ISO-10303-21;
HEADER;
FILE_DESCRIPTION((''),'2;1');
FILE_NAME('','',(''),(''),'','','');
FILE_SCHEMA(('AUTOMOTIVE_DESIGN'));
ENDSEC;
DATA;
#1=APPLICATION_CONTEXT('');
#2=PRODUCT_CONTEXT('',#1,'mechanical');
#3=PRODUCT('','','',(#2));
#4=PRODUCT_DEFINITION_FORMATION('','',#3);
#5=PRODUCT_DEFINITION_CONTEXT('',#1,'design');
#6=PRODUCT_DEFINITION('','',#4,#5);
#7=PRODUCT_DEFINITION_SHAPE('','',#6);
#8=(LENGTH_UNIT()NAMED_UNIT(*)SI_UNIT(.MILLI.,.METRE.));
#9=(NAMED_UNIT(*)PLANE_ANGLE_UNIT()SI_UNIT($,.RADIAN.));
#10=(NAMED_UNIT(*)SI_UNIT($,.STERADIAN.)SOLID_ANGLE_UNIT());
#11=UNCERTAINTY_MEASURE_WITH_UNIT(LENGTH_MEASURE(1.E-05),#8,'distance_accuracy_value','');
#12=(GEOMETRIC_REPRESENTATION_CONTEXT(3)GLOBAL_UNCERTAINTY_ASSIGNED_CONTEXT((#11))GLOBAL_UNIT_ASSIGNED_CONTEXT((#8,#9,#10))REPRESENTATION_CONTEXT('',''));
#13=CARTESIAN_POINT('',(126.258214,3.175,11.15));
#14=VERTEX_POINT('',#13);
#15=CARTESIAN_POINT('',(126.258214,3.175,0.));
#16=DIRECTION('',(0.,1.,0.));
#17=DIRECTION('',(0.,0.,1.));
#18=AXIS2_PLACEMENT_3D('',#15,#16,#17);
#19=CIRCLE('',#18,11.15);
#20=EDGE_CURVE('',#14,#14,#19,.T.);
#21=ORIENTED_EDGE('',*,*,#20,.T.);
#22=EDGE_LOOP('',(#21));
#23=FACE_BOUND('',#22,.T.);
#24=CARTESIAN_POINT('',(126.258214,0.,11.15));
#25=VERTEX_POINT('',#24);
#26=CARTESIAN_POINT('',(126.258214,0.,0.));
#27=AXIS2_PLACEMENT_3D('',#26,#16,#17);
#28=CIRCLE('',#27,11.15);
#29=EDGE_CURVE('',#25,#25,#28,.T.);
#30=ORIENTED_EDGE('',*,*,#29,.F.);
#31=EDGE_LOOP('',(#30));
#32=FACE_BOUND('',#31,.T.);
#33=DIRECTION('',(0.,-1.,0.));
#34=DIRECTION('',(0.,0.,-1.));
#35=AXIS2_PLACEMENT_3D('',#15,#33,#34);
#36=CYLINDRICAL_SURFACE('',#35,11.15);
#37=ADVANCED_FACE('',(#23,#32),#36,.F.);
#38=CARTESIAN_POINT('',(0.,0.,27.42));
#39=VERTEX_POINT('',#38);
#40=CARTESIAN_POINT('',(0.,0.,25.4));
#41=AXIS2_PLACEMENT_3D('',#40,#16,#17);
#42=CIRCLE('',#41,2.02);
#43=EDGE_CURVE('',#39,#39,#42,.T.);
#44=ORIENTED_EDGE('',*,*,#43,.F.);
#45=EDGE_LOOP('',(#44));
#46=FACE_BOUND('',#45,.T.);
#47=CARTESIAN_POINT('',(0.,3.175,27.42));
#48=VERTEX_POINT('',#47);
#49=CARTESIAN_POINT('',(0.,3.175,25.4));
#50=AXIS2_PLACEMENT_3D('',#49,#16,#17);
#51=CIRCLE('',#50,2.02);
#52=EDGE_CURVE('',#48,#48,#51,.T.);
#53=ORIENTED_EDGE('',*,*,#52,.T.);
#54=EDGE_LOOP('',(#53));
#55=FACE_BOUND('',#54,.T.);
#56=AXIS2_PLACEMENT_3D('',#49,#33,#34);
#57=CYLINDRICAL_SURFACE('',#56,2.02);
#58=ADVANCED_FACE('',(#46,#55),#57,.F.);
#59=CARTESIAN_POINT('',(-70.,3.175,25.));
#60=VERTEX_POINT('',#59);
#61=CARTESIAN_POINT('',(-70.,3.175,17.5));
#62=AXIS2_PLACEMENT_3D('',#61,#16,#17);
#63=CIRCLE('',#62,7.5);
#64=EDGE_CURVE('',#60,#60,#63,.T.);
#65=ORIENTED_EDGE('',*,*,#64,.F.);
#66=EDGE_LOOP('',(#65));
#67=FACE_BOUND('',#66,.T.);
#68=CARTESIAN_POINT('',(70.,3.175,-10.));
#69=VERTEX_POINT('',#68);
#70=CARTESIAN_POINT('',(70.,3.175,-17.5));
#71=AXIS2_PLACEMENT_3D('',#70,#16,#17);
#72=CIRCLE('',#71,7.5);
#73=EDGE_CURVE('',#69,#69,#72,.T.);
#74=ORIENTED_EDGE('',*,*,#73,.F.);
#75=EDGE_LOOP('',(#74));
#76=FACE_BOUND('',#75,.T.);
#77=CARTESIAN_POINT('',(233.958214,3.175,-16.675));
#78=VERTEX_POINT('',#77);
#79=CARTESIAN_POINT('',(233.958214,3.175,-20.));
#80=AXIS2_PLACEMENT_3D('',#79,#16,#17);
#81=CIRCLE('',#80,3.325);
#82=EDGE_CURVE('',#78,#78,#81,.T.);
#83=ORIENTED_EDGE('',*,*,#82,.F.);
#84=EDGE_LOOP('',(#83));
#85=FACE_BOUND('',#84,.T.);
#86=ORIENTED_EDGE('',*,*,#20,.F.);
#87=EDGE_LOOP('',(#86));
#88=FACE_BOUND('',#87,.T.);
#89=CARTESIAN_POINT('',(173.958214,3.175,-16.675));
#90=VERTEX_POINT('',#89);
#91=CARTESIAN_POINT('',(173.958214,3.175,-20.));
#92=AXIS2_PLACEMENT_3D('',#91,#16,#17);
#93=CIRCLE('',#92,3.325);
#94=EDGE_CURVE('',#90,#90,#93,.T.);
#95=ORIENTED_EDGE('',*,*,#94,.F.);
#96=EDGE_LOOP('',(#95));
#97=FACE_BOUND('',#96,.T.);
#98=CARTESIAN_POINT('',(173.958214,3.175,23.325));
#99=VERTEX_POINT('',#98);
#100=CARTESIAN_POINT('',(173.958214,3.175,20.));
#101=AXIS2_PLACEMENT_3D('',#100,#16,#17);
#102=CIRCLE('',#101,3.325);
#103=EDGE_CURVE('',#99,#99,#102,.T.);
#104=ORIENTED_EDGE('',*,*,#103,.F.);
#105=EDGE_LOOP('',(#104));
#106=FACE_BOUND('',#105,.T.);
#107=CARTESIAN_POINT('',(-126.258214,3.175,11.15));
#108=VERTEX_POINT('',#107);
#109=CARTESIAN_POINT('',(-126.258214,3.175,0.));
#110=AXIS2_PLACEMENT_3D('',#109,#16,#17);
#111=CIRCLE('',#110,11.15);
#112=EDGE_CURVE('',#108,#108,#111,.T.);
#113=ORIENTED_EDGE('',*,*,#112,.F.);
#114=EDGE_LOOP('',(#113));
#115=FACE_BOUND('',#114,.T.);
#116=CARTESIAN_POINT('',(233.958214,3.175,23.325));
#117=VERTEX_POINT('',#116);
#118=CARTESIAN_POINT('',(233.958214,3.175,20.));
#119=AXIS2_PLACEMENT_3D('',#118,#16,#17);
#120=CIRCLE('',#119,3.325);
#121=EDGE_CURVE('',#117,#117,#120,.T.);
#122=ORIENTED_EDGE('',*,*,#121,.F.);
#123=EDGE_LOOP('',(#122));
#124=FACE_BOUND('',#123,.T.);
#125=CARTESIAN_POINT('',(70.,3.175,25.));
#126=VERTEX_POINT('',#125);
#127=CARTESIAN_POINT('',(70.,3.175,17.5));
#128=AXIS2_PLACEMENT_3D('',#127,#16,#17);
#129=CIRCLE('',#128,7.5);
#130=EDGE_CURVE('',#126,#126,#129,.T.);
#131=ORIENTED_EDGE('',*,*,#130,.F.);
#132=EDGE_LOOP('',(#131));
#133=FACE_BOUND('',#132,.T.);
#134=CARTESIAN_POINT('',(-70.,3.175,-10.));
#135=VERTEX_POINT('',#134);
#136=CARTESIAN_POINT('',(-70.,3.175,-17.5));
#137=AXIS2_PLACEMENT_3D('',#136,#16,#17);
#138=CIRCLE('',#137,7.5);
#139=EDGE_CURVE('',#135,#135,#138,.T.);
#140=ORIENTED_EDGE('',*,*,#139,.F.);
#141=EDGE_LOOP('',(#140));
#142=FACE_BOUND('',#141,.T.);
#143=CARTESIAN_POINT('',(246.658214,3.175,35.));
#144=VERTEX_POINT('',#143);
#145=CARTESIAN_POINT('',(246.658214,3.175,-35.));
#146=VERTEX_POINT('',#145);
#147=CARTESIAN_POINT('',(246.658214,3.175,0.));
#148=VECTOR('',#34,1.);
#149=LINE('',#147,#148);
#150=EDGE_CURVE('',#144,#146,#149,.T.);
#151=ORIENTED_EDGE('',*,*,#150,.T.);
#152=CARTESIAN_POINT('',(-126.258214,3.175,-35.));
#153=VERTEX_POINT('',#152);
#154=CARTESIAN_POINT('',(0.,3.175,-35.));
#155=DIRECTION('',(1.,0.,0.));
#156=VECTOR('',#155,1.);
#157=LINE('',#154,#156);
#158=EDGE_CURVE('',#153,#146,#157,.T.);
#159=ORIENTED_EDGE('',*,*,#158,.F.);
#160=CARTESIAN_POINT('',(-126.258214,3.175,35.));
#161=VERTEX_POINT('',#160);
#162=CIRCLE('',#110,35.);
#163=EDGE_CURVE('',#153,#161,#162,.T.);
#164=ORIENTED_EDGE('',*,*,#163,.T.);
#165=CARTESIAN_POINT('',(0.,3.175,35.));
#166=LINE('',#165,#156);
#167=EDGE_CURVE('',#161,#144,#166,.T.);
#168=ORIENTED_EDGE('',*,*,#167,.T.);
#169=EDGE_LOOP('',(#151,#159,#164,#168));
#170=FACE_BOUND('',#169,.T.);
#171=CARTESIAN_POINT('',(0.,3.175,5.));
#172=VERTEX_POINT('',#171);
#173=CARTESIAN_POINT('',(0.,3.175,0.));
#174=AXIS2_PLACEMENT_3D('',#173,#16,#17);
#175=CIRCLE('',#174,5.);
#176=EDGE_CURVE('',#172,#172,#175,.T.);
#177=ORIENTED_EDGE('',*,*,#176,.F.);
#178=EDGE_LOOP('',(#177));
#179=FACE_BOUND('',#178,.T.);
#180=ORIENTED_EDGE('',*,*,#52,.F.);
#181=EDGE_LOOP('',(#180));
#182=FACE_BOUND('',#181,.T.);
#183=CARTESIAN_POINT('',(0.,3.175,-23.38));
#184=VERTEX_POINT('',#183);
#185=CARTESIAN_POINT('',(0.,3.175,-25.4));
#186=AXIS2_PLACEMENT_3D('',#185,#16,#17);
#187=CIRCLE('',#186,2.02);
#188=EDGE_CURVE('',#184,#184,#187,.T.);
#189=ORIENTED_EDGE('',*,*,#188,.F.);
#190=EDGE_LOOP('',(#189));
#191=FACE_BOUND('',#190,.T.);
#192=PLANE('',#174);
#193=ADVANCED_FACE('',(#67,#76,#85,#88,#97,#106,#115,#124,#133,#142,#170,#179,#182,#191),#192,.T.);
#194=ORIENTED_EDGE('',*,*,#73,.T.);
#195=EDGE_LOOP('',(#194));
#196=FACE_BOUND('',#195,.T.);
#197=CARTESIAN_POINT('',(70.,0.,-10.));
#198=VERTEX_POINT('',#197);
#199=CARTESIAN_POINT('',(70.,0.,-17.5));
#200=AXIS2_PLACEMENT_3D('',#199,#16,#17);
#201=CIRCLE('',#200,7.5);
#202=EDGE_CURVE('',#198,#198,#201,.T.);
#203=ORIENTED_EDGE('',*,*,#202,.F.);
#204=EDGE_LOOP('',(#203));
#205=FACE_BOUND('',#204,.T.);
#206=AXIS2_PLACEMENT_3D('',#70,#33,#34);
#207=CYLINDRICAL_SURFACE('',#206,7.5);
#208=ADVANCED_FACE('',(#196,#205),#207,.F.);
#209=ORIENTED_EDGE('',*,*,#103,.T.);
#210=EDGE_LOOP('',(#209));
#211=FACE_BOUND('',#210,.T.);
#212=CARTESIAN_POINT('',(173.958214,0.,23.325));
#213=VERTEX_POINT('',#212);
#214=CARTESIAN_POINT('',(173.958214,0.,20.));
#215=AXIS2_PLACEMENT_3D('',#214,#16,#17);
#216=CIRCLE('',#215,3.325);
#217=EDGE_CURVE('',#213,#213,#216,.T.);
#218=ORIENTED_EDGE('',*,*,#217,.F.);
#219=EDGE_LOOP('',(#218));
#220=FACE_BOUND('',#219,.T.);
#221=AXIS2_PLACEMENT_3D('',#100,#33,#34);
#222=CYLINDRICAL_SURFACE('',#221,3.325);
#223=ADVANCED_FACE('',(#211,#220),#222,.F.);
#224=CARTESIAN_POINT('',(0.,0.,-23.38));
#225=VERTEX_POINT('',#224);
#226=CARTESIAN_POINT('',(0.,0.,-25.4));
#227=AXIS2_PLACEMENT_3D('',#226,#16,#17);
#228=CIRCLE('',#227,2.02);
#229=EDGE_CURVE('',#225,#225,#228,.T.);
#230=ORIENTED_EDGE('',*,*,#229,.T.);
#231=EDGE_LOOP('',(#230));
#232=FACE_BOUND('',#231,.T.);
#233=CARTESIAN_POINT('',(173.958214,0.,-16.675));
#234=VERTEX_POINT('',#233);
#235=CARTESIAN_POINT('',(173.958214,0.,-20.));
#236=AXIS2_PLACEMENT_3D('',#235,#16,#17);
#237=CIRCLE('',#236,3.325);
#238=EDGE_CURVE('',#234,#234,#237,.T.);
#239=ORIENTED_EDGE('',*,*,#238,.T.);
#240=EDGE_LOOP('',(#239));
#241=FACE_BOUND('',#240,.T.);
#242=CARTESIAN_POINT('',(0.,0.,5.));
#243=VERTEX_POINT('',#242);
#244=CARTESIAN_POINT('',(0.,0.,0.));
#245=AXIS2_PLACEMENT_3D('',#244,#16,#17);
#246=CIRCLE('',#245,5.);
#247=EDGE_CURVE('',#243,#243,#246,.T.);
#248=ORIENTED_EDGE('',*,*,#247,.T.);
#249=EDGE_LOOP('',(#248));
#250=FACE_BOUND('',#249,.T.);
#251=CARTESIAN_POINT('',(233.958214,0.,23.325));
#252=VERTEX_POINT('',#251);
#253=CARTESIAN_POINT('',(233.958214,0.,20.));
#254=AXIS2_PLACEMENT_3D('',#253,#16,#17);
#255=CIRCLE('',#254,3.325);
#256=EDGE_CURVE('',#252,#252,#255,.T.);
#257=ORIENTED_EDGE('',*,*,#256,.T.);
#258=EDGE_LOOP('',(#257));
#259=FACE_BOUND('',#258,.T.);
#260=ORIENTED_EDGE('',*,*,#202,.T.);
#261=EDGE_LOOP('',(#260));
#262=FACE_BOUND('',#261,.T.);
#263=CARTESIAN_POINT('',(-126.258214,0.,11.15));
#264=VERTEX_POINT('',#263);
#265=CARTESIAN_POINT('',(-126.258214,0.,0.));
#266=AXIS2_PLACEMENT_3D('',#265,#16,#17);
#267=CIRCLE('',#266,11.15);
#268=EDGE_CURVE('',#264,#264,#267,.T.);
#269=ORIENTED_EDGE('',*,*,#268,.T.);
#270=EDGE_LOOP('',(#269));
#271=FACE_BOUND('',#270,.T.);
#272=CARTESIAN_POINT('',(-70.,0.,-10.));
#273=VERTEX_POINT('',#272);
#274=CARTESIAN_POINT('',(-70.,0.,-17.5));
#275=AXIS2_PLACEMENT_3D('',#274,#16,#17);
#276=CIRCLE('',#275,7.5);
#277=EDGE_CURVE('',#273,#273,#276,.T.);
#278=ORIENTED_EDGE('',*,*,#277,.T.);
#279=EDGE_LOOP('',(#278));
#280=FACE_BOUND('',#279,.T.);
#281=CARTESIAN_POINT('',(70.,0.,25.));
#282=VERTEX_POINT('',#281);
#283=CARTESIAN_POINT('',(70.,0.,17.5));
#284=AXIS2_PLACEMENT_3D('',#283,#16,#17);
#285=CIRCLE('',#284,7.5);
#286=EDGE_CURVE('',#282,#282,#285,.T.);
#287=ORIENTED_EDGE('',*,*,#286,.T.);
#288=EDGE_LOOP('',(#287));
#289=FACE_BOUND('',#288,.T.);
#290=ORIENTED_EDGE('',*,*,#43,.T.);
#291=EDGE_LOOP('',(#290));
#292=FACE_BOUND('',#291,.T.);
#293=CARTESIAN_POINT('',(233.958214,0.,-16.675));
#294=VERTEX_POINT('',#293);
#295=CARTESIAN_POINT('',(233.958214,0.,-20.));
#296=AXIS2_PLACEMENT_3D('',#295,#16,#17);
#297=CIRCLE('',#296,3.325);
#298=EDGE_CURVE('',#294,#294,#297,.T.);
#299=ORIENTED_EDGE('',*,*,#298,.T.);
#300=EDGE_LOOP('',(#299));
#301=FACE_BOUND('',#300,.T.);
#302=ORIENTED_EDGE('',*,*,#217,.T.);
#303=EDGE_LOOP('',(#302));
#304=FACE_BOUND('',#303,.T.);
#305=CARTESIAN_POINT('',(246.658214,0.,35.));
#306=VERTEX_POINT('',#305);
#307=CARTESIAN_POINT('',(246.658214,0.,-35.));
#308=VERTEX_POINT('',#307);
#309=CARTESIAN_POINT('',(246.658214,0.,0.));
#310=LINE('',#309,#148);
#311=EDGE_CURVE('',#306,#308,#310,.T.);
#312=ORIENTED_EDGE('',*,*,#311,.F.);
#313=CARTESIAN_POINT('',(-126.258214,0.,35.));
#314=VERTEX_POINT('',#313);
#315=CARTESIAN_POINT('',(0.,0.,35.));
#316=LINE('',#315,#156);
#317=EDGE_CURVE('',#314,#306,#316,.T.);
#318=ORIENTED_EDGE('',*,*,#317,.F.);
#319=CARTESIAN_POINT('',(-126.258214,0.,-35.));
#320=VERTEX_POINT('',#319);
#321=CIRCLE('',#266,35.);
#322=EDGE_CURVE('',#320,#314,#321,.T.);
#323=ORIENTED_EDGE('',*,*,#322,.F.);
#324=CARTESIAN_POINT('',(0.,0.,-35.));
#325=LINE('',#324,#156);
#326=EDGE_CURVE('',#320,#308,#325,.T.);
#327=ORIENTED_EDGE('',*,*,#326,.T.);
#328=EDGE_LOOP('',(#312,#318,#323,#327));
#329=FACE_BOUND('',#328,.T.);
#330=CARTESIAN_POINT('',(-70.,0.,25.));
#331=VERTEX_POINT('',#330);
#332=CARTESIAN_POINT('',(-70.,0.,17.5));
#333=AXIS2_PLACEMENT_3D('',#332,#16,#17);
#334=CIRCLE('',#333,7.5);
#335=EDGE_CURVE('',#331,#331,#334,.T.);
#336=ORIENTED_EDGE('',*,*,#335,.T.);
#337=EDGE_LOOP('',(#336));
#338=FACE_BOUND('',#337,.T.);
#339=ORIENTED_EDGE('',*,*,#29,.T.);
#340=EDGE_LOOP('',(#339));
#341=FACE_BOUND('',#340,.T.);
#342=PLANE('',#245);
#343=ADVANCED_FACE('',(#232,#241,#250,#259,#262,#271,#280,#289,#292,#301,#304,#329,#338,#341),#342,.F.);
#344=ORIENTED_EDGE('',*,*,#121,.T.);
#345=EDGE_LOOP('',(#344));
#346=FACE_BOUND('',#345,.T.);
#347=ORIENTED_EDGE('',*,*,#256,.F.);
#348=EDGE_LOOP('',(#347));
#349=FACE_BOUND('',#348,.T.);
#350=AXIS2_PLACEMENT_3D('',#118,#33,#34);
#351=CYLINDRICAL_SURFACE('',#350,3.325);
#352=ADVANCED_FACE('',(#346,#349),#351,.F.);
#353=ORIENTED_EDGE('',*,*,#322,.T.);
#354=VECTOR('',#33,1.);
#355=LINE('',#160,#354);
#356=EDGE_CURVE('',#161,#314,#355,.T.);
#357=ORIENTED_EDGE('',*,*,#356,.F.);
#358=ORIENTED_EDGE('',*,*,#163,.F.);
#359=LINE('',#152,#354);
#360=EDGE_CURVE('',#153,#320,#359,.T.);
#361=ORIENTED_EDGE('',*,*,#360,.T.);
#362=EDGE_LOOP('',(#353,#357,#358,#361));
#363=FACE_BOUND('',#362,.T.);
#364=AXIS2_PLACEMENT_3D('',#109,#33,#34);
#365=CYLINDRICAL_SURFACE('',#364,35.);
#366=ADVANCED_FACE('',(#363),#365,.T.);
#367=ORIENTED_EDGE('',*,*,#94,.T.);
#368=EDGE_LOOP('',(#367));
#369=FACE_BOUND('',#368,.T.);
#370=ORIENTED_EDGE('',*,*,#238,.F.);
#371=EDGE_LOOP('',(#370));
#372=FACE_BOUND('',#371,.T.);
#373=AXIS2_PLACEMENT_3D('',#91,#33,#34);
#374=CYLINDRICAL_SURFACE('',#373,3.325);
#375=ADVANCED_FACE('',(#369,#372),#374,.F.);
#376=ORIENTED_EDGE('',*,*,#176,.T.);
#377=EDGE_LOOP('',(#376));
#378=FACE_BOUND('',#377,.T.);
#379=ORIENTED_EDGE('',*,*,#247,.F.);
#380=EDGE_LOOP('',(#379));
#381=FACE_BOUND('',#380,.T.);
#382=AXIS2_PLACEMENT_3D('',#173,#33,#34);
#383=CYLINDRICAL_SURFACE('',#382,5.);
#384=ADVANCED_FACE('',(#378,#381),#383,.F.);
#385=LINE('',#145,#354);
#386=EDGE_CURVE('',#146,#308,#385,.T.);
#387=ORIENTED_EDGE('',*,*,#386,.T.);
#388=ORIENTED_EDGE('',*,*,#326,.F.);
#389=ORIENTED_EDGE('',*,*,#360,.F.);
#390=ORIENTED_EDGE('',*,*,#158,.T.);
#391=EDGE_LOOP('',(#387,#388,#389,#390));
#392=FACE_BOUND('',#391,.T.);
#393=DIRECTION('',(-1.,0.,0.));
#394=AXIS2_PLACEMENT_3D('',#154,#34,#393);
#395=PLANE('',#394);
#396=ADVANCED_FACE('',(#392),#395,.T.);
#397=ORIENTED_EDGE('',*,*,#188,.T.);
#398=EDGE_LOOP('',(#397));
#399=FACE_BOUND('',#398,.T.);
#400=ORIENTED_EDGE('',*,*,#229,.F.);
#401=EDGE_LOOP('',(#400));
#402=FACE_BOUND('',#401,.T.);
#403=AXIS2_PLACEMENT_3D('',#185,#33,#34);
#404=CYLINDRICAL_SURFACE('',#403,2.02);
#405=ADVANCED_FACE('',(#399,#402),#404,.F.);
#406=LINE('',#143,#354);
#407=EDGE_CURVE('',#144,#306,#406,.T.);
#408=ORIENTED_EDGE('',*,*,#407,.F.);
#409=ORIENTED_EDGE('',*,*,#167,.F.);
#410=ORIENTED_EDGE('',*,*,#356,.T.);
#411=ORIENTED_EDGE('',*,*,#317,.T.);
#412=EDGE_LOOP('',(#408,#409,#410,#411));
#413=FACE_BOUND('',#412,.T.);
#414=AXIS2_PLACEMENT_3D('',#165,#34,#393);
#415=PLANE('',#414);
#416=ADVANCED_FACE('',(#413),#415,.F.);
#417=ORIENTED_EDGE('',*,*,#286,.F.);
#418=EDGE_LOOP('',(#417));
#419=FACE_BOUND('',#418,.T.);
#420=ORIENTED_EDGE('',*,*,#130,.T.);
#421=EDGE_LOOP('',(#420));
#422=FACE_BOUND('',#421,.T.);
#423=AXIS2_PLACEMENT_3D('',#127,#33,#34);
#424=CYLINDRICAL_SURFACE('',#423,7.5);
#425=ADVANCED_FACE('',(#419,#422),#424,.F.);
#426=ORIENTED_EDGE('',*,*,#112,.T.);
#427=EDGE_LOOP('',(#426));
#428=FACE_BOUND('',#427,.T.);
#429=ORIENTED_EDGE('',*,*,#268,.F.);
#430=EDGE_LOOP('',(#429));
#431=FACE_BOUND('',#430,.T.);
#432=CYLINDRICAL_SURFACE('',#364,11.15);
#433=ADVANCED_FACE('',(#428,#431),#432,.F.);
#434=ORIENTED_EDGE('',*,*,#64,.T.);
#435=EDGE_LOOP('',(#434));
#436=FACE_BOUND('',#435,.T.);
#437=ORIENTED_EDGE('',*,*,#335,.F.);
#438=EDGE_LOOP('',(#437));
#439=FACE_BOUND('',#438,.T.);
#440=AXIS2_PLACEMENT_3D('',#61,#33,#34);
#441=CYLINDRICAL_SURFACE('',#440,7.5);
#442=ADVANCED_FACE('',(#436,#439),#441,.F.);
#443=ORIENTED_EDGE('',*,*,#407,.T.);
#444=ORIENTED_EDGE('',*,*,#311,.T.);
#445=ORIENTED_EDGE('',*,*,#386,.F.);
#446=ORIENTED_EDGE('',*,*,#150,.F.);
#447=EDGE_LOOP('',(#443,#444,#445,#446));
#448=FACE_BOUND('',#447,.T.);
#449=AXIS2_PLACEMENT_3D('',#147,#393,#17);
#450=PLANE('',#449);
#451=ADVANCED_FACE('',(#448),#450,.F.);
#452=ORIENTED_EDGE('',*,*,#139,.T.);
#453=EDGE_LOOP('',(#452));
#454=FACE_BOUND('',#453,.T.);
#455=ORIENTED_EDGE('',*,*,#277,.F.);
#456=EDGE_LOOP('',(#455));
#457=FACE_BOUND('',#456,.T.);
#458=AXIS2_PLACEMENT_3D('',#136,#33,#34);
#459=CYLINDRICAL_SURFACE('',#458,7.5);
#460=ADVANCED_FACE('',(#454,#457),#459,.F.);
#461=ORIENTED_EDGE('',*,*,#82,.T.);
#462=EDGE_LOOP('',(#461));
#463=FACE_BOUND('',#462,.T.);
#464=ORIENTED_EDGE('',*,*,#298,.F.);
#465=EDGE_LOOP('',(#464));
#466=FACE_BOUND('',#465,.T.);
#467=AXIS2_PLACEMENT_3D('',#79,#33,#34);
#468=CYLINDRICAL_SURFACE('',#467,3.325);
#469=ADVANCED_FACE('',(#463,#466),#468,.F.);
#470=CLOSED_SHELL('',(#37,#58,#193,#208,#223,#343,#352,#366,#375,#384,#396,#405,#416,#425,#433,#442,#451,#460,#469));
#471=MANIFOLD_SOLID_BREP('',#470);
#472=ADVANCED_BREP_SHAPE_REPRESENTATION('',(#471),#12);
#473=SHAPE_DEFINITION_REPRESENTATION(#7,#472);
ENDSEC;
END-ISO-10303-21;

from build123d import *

# Parameters (mm, degrees)
SKETCH1_R           = 11.15
SKETCH1_R_2         = 7.5
SKETCH1_R_3         = 2.02
SKETCH1_R_4         = 3.325
BOSS_EXTRUDE1_DEPTH = 3.175


with BuildPart() as part:
    # Sketch1 → Boss-Extrude1 (new body)
    with BuildSketch(Plane(origin=(0, 0, 0), x_dir=(1, 0, 0), z_dir=(0, 1, 0))):
        with BuildLine():
            ThreePointArc((-126.258214395, 35), (-161.258214395, 0), (-126.258214395, -35))
            Line((-126.258214395, -35), (246.658214395, -35))
            Line((246.658214395, -35), (246.658214395, 35))
            Line((246.658214395, 35), (-126.258214395, 35))
        make_face()
        with Locations((-126.258214395, 0)):
            Circle(SKETCH1_R, mode=Mode.SUBTRACT)
        with Locations((-70, -17.5)):
            Circle(SKETCH1_R_2, mode=Mode.SUBTRACT)
        with Locations((0, -25.4)):
            Circle(SKETCH1_R_3, mode=Mode.SUBTRACT)
        with BuildLine():
            ThreePointArc((5, 0), (0, -5), (-5, 0))
            ThreePointArc((-5, 0), (0, 5), (5, 0))
        make_face(mode=Mode.SUBTRACT)
        with Locations((70, -17.5)):
            Circle(SKETCH1_R_2, mode=Mode.SUBTRACT)
        with Locations((173.958214395, -20)):
            Circle(SKETCH1_R_4, mode=Mode.SUBTRACT)
        with Locations((233.958214395, -20)):
            Circle(SKETCH1_R_4, mode=Mode.SUBTRACT)
        with Locations((-70, 17.5)):
            Circle(SKETCH1_R_2, mode=Mode.SUBTRACT)
        with Locations((0, 25.4)):
            Circle(SKETCH1_R_3, mode=Mode.SUBTRACT)
        with Locations((126.258214395, 0)):
            Circle(SKETCH1_R, mode=Mode.SUBTRACT)
        with Locations((70, 17.5)):
            Circle(SKETCH1_R_2, mode=Mode.SUBTRACT)
        with Locations((173.958214395, 20)):
            Circle(SKETCH1_R_4, mode=Mode.SUBTRACT)
        with Locations((233.958214395, 20)):
            Circle(SKETCH1_R_4, mode=Mode.SUBTRACT)
    extrude(amount=BOSS_EXTRUDE1_DEPTH)


solid = part.part
